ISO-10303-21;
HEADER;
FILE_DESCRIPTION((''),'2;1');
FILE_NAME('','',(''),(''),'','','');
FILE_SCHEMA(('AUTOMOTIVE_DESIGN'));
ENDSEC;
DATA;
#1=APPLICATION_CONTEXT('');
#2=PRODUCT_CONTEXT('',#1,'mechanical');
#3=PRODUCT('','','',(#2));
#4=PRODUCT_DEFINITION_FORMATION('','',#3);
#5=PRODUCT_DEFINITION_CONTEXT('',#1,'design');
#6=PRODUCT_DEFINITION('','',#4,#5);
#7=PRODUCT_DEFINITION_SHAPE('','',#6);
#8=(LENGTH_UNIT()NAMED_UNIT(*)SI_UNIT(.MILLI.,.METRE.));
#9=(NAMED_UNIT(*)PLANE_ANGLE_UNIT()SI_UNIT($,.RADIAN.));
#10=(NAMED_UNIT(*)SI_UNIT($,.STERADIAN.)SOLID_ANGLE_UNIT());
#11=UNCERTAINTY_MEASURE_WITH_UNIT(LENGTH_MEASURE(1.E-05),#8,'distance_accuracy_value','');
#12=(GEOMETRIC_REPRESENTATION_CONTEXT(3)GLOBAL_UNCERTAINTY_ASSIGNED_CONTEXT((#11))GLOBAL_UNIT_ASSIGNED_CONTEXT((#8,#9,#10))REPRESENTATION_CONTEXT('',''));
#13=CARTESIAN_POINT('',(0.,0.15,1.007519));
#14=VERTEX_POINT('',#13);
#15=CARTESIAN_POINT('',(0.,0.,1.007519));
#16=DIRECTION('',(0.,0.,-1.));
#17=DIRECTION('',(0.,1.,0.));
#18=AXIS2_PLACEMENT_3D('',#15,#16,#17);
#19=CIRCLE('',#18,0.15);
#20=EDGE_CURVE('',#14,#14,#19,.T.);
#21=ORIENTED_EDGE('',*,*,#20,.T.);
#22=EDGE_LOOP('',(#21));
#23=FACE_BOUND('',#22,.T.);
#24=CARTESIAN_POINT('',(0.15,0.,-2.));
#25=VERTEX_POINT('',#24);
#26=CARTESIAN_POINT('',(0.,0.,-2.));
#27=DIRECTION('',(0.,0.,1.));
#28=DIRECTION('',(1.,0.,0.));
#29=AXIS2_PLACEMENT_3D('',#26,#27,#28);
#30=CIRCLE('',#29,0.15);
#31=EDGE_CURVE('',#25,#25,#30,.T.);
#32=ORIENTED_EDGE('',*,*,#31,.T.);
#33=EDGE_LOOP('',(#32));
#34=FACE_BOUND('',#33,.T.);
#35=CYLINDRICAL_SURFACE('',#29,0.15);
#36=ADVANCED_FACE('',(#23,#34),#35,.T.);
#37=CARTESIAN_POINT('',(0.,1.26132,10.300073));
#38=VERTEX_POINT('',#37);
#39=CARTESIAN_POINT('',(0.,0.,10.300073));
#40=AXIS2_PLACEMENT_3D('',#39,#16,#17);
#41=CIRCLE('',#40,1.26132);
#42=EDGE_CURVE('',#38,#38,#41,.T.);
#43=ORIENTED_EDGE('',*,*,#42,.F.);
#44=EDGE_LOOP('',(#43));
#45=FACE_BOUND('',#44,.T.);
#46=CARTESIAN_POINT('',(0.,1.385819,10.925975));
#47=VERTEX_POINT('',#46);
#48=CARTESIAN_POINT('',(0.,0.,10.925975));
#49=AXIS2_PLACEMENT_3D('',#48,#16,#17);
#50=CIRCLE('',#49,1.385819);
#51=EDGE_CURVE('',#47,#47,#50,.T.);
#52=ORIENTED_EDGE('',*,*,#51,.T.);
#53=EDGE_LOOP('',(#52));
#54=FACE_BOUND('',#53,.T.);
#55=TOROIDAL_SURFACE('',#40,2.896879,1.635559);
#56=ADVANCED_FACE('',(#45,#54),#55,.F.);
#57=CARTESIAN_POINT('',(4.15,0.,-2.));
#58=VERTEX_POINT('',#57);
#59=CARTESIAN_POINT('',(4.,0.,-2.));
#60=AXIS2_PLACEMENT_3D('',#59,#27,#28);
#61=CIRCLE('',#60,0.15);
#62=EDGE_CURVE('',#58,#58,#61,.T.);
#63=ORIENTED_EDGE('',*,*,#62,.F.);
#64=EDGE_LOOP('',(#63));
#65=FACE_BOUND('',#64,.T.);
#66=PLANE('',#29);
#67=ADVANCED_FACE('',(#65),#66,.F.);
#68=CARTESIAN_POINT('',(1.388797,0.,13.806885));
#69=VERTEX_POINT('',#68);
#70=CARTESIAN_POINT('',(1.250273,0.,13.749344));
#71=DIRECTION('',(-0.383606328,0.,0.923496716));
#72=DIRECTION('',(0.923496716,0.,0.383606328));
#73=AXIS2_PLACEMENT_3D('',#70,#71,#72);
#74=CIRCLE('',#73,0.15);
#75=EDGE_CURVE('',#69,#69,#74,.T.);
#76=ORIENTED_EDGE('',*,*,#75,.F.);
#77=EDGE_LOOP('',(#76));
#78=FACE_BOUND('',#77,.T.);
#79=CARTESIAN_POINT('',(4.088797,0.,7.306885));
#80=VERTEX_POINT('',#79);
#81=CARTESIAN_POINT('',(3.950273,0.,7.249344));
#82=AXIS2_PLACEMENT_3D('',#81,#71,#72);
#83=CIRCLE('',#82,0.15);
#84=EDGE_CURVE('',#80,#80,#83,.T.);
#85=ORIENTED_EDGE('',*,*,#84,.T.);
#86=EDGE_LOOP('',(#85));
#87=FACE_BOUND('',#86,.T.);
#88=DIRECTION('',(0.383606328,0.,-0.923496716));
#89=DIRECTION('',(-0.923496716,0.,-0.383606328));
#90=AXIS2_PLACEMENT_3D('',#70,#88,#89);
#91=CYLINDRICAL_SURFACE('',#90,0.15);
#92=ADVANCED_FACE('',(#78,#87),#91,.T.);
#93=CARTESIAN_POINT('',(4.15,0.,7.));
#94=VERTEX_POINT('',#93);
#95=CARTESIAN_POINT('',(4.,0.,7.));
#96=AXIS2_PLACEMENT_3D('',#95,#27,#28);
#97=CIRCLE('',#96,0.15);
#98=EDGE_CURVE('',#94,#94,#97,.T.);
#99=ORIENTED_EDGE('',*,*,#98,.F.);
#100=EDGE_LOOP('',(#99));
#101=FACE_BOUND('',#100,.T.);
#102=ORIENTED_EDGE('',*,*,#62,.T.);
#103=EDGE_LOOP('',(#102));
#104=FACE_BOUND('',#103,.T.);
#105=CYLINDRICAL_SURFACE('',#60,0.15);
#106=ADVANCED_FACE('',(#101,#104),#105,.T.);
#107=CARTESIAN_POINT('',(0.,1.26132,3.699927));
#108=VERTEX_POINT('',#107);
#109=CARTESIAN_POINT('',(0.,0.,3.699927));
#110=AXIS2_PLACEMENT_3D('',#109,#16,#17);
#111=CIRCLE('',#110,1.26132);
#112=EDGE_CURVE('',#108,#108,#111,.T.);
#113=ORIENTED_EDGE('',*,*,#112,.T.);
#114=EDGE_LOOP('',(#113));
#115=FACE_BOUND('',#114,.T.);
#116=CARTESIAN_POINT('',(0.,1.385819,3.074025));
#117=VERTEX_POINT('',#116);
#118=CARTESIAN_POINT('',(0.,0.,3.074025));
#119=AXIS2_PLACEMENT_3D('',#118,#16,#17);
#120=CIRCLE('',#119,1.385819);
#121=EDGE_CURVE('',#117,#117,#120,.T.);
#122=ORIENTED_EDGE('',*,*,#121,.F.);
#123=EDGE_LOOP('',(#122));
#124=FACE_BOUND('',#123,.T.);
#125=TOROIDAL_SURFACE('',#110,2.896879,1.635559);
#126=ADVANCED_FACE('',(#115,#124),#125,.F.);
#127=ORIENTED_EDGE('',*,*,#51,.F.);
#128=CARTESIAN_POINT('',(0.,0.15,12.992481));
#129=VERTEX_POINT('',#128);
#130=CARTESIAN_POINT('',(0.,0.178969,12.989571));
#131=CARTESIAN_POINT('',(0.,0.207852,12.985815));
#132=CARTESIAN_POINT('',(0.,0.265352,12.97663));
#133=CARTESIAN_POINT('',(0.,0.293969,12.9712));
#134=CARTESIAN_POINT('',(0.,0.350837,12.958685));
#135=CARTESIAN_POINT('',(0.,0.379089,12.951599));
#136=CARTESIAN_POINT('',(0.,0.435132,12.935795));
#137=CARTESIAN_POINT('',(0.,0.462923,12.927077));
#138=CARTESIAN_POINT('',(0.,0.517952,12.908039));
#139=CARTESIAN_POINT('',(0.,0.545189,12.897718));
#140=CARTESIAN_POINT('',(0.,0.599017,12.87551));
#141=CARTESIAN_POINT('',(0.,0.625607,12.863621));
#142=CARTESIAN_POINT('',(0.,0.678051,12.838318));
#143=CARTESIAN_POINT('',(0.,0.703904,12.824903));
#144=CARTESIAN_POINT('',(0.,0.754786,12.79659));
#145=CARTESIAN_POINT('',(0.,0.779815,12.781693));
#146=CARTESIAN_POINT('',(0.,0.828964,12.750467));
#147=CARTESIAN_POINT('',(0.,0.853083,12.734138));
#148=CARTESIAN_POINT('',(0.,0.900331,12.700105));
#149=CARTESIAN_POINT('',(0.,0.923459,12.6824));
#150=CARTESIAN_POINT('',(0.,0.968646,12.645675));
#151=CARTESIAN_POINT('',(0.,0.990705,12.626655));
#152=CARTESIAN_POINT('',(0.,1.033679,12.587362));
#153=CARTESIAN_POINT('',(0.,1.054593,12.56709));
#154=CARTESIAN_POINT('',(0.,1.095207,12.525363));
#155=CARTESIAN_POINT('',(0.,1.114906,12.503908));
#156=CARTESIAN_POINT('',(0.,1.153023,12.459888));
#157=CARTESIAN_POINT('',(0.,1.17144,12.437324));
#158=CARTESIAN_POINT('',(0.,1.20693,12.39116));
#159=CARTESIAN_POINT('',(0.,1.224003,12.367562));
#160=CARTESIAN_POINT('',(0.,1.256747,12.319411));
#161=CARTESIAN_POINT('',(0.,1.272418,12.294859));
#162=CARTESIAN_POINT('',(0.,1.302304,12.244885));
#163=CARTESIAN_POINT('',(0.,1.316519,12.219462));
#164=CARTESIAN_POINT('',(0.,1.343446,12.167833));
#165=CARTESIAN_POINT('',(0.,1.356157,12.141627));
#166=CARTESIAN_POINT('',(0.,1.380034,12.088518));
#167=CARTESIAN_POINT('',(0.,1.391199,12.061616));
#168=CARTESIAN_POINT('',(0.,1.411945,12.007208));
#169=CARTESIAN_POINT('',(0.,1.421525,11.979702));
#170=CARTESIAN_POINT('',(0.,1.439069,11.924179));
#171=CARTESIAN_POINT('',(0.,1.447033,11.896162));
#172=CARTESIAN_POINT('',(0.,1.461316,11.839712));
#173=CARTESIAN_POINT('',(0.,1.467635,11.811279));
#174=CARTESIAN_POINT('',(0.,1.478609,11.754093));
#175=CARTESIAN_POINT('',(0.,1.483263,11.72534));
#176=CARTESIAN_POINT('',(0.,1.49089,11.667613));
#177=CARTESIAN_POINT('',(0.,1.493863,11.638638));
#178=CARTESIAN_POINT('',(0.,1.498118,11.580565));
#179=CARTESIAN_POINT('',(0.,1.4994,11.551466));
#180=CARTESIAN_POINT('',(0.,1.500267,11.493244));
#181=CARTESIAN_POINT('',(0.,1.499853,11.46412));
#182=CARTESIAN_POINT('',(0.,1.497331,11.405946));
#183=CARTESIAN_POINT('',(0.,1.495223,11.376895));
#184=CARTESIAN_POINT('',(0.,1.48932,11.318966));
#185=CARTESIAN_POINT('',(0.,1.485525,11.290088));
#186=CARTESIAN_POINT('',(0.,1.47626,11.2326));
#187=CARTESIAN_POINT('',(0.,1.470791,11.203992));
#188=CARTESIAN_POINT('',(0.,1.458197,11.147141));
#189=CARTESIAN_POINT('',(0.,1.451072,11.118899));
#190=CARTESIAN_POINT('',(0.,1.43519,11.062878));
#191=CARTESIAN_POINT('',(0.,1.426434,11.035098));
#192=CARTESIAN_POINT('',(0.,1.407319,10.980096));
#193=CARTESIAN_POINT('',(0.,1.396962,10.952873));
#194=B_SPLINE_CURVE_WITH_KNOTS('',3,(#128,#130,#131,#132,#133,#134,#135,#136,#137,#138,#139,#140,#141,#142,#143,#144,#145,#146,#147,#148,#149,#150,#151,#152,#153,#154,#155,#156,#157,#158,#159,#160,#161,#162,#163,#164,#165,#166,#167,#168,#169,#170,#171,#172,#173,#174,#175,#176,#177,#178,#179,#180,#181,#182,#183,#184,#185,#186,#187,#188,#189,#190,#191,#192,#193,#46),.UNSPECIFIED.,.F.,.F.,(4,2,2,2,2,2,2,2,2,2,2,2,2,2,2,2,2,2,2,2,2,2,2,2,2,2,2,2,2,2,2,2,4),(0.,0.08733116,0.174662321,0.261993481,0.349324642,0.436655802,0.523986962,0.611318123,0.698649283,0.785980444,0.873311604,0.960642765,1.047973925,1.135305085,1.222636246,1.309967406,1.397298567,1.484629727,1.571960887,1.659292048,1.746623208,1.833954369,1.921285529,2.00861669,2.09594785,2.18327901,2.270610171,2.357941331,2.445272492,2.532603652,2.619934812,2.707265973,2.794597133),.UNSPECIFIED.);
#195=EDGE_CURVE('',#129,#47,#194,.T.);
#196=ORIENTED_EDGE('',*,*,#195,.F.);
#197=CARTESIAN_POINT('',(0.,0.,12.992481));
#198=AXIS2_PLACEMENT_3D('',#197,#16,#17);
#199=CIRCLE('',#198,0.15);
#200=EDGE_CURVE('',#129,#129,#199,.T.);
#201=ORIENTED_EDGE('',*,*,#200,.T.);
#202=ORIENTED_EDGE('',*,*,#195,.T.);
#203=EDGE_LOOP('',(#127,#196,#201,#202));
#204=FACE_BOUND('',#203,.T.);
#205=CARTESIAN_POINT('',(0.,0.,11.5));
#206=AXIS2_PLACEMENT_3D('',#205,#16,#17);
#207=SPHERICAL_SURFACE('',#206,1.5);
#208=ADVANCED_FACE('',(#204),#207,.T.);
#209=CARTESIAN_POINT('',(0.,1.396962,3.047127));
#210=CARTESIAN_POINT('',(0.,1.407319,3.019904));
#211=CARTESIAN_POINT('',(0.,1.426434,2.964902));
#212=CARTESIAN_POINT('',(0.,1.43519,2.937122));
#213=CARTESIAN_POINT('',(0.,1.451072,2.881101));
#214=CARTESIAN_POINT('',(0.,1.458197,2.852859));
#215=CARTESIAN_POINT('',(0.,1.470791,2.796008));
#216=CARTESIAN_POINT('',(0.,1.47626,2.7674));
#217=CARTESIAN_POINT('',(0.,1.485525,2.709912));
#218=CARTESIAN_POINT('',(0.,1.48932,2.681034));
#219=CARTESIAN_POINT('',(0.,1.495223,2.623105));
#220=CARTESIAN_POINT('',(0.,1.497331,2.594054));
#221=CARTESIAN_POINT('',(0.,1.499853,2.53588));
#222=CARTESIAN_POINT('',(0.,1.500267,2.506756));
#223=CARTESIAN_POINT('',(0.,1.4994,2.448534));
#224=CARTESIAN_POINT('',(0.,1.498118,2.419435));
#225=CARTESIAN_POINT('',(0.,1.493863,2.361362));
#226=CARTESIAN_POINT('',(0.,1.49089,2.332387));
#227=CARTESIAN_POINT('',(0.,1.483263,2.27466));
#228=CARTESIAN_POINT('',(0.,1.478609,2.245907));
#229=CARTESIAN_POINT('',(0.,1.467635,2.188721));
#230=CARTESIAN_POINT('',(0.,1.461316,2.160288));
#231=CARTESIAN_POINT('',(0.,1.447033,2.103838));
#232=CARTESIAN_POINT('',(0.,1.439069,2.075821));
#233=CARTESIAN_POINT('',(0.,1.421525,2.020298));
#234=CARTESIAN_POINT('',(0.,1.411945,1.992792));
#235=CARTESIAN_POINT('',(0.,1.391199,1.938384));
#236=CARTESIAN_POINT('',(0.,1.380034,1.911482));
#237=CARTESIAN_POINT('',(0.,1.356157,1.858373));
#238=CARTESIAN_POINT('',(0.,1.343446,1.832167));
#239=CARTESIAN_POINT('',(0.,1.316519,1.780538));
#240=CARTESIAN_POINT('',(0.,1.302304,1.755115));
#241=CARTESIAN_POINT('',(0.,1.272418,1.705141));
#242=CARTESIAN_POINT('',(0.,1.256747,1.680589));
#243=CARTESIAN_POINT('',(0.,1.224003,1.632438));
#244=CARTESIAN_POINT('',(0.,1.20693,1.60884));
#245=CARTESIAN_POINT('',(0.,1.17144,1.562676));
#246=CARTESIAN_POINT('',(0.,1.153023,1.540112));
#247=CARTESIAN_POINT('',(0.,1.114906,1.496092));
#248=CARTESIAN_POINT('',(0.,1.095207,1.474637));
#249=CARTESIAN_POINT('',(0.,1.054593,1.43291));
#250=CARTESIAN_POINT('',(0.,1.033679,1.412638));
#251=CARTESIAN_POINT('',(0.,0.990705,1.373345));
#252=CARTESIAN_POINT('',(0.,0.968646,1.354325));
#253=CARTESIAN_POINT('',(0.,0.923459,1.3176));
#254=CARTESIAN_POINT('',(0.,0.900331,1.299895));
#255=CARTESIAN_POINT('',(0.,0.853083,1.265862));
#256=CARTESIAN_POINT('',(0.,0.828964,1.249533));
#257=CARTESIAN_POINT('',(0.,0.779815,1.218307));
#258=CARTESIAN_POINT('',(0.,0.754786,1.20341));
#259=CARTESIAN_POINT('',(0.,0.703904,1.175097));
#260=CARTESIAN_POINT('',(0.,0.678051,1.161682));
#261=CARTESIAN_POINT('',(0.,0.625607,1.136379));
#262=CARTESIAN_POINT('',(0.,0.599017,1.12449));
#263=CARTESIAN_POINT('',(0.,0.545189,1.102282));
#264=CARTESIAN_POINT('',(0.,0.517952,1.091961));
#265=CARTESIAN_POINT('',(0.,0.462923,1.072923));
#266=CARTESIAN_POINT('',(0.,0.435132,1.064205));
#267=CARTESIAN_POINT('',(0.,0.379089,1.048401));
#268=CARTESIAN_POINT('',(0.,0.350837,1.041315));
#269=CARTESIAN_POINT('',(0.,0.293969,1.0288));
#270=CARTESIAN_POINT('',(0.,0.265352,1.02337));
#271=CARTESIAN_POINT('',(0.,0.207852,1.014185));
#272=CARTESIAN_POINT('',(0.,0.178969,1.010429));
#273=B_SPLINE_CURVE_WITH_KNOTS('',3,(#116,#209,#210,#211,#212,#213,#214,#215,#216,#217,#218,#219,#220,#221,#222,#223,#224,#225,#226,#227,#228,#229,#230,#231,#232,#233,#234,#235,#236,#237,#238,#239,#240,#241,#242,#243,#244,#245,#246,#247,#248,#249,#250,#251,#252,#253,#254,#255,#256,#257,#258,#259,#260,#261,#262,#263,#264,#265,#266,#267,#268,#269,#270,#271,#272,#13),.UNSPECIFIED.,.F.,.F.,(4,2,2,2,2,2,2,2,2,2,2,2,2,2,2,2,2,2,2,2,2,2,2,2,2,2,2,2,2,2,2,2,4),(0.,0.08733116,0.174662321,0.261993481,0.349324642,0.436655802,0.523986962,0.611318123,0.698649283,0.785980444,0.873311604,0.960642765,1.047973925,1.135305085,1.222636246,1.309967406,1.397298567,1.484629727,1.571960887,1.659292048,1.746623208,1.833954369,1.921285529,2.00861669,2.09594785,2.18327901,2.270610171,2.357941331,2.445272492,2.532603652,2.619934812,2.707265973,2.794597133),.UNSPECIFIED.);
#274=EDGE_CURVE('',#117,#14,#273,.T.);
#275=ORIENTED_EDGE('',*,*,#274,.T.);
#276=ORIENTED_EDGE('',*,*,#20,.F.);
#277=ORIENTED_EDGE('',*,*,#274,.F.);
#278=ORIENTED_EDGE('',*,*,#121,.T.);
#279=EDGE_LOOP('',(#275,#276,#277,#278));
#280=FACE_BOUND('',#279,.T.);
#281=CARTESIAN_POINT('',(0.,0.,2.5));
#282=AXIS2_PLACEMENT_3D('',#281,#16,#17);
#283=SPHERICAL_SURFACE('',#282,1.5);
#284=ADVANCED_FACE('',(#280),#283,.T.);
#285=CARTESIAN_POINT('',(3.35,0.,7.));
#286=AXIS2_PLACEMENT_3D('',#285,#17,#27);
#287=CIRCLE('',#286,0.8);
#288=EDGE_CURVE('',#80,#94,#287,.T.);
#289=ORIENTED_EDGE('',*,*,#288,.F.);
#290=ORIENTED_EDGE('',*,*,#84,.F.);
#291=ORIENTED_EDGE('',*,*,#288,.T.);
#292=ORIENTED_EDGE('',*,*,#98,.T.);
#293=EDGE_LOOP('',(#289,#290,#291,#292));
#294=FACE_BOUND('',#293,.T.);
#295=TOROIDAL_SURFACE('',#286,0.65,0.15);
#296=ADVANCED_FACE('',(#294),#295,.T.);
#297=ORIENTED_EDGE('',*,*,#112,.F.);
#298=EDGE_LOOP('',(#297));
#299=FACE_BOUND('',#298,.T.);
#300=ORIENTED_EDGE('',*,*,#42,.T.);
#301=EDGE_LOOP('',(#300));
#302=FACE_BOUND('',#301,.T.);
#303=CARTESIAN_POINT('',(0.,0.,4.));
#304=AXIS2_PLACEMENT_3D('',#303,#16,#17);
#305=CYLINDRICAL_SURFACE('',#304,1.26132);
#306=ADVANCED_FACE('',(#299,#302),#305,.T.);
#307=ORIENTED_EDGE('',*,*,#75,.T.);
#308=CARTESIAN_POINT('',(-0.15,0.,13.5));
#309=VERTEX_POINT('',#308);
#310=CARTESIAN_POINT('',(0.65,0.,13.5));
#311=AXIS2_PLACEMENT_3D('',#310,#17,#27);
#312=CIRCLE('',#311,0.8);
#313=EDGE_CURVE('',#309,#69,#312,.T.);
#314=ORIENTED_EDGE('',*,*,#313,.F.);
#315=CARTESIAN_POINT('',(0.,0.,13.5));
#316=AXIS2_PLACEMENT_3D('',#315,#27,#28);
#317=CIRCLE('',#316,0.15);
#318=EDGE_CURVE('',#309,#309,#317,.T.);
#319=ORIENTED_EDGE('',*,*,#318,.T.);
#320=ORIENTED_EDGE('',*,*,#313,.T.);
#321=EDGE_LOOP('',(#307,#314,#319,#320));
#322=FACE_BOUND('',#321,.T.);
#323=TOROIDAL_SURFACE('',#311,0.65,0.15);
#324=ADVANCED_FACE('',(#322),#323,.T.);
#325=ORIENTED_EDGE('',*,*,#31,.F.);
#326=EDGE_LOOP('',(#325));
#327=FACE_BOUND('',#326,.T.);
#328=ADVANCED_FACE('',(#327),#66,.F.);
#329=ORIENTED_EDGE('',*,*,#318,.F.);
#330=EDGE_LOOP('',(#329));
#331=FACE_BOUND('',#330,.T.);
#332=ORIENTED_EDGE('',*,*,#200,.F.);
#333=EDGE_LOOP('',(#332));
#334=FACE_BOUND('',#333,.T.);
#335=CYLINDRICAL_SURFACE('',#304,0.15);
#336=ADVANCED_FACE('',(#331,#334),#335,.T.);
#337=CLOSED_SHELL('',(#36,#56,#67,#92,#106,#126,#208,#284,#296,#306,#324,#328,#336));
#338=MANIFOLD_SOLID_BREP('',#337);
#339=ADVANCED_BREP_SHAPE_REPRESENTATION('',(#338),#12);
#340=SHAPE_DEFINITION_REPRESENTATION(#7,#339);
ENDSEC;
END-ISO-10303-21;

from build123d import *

# Parameters (mm, degrees)
BOSS_EXTRUDE2_DEPTH      = 1
BOSS_EXTRUDE2_DEPTH_BACK = 2
SKETCH1_R                = 0.15
SKETCH5_R                = 0.15
BOSS_EXTRUDE3_DEPTH      = 0.5
BOSS_EXTRUDE4_DEPTH      = 7
BOSS_EXTRUDE4_DEPTH_BACK = 2
SKETCH6_R                = 0.15
SKETCH16_R               = 0.15


with BuildPart() as part:
    # Sketch1 → Boss-Extrude2 (new, two sides: drawn at the far end of the back side and taken through both)
    with BuildSketch(Plane.XY.offset(-BOSS_EXTRUDE2_DEPTH_BACK)):
        Circle(SKETCH1_R)
    extrude(amount=BOSS_EXTRUDE2_DEPTH + BOSS_EXTRUDE2_DEPTH_BACK)

    # Sketch4 → Revolve2 (revolve)
    with BuildSketch(Plane(origin=(0, 0, 0), x_dir=(0, 0, -1), z_dir=(1, 0, 0))):
        with BuildLine():
            ThreePointArc((-3.699926528, 1.261319774), (-3.380844772, 1.292746584), (-3.074025149, 1.385819299))
            ThreePointArc((-3.074025149, 1.385819299), (-1.730128131, 1.287360597), (-1.007518844, 0.15))
            Line((-1.007518844, 0.15), (-1, 0.15))
            Line((-1, 0.15), (-1, 0))
            Line((-1, 0), (-2.5, 0))
            Line((-2.5, 0), (-4, 0))
            Line((-4, 0), (-11.5, 0))
            Line((-11.5, 0), (-13, 0))
            Line((-13, 0), (-13, 0.15))
            Line((-13, 0.15), (-12.992481156, 0.15))
            ThreePointArc((-12.992481156, 0.15), (-12.269871869, 1.287360597), (-10.925974851, 1.385819299))
            ThreePointArc((-10.925974851, 1.385819299), (-10.619155228, 1.292746584), (-10.300073472, 1.261319774))
            Line((-10.300073472, 1.261319774), (-3.699926528, 1.261319774))
        make_face()
    revolve(axis=Axis((0, 0, 4), (0, 0, 1)))

    # Sketch5 → Boss-Extrude3 (add)
    with BuildSketch(Plane.XY.offset(13)):
        Circle(SKETCH5_R)
    extrude(amount=BOSS_EXTRUDE3_DEPTH)



with BuildPart() as body_2:
    # Sketch6 → Boss-Extrude4 (new, two sides: drawn at the far end of the back side and taken through both)
    with BuildSketch(Plane.XY.offset(-BOSS_EXTRUDE4_DEPTH_BACK)):
        with Locations((4, 0)):
            Circle(SKETCH6_R)
    extrude(amount=BOSS_EXTRUDE4_DEPTH + BOSS_EXTRUDE4_DEPTH_BACK)


with BuildPart() as part_1:
    add(part.part)

    add(body_2.part)  # Sweep3 merges body 2
    # Sweep3: sweep along a path in Sketch7
    with BuildLine(Plane(origin=(0, 0, 0), x_dir=(1, 0, 0), z_dir=(0, 1, 0))) as sweep3_path:
        ThreePointArc((4.15, -7), (4.134550157, -7.156464216), (4.088797373, -7.306885063))
        Line((4.088797373, -7.306885063), (1.388797373, -13.806885063))
        ThreePointArc((1.388797373, -13.806885063), (0.493535784, -14.284550157), (-0.15, -13.5))
    # Sketch16 → Sweep3 (sweep)
    with BuildSketch(Plane.XY.offset(7)):
        with Locations((4, 0)):
            Circle(SKETCH16_R)
    sweep(path=sweep3_path.line)


solid = part_1.part
